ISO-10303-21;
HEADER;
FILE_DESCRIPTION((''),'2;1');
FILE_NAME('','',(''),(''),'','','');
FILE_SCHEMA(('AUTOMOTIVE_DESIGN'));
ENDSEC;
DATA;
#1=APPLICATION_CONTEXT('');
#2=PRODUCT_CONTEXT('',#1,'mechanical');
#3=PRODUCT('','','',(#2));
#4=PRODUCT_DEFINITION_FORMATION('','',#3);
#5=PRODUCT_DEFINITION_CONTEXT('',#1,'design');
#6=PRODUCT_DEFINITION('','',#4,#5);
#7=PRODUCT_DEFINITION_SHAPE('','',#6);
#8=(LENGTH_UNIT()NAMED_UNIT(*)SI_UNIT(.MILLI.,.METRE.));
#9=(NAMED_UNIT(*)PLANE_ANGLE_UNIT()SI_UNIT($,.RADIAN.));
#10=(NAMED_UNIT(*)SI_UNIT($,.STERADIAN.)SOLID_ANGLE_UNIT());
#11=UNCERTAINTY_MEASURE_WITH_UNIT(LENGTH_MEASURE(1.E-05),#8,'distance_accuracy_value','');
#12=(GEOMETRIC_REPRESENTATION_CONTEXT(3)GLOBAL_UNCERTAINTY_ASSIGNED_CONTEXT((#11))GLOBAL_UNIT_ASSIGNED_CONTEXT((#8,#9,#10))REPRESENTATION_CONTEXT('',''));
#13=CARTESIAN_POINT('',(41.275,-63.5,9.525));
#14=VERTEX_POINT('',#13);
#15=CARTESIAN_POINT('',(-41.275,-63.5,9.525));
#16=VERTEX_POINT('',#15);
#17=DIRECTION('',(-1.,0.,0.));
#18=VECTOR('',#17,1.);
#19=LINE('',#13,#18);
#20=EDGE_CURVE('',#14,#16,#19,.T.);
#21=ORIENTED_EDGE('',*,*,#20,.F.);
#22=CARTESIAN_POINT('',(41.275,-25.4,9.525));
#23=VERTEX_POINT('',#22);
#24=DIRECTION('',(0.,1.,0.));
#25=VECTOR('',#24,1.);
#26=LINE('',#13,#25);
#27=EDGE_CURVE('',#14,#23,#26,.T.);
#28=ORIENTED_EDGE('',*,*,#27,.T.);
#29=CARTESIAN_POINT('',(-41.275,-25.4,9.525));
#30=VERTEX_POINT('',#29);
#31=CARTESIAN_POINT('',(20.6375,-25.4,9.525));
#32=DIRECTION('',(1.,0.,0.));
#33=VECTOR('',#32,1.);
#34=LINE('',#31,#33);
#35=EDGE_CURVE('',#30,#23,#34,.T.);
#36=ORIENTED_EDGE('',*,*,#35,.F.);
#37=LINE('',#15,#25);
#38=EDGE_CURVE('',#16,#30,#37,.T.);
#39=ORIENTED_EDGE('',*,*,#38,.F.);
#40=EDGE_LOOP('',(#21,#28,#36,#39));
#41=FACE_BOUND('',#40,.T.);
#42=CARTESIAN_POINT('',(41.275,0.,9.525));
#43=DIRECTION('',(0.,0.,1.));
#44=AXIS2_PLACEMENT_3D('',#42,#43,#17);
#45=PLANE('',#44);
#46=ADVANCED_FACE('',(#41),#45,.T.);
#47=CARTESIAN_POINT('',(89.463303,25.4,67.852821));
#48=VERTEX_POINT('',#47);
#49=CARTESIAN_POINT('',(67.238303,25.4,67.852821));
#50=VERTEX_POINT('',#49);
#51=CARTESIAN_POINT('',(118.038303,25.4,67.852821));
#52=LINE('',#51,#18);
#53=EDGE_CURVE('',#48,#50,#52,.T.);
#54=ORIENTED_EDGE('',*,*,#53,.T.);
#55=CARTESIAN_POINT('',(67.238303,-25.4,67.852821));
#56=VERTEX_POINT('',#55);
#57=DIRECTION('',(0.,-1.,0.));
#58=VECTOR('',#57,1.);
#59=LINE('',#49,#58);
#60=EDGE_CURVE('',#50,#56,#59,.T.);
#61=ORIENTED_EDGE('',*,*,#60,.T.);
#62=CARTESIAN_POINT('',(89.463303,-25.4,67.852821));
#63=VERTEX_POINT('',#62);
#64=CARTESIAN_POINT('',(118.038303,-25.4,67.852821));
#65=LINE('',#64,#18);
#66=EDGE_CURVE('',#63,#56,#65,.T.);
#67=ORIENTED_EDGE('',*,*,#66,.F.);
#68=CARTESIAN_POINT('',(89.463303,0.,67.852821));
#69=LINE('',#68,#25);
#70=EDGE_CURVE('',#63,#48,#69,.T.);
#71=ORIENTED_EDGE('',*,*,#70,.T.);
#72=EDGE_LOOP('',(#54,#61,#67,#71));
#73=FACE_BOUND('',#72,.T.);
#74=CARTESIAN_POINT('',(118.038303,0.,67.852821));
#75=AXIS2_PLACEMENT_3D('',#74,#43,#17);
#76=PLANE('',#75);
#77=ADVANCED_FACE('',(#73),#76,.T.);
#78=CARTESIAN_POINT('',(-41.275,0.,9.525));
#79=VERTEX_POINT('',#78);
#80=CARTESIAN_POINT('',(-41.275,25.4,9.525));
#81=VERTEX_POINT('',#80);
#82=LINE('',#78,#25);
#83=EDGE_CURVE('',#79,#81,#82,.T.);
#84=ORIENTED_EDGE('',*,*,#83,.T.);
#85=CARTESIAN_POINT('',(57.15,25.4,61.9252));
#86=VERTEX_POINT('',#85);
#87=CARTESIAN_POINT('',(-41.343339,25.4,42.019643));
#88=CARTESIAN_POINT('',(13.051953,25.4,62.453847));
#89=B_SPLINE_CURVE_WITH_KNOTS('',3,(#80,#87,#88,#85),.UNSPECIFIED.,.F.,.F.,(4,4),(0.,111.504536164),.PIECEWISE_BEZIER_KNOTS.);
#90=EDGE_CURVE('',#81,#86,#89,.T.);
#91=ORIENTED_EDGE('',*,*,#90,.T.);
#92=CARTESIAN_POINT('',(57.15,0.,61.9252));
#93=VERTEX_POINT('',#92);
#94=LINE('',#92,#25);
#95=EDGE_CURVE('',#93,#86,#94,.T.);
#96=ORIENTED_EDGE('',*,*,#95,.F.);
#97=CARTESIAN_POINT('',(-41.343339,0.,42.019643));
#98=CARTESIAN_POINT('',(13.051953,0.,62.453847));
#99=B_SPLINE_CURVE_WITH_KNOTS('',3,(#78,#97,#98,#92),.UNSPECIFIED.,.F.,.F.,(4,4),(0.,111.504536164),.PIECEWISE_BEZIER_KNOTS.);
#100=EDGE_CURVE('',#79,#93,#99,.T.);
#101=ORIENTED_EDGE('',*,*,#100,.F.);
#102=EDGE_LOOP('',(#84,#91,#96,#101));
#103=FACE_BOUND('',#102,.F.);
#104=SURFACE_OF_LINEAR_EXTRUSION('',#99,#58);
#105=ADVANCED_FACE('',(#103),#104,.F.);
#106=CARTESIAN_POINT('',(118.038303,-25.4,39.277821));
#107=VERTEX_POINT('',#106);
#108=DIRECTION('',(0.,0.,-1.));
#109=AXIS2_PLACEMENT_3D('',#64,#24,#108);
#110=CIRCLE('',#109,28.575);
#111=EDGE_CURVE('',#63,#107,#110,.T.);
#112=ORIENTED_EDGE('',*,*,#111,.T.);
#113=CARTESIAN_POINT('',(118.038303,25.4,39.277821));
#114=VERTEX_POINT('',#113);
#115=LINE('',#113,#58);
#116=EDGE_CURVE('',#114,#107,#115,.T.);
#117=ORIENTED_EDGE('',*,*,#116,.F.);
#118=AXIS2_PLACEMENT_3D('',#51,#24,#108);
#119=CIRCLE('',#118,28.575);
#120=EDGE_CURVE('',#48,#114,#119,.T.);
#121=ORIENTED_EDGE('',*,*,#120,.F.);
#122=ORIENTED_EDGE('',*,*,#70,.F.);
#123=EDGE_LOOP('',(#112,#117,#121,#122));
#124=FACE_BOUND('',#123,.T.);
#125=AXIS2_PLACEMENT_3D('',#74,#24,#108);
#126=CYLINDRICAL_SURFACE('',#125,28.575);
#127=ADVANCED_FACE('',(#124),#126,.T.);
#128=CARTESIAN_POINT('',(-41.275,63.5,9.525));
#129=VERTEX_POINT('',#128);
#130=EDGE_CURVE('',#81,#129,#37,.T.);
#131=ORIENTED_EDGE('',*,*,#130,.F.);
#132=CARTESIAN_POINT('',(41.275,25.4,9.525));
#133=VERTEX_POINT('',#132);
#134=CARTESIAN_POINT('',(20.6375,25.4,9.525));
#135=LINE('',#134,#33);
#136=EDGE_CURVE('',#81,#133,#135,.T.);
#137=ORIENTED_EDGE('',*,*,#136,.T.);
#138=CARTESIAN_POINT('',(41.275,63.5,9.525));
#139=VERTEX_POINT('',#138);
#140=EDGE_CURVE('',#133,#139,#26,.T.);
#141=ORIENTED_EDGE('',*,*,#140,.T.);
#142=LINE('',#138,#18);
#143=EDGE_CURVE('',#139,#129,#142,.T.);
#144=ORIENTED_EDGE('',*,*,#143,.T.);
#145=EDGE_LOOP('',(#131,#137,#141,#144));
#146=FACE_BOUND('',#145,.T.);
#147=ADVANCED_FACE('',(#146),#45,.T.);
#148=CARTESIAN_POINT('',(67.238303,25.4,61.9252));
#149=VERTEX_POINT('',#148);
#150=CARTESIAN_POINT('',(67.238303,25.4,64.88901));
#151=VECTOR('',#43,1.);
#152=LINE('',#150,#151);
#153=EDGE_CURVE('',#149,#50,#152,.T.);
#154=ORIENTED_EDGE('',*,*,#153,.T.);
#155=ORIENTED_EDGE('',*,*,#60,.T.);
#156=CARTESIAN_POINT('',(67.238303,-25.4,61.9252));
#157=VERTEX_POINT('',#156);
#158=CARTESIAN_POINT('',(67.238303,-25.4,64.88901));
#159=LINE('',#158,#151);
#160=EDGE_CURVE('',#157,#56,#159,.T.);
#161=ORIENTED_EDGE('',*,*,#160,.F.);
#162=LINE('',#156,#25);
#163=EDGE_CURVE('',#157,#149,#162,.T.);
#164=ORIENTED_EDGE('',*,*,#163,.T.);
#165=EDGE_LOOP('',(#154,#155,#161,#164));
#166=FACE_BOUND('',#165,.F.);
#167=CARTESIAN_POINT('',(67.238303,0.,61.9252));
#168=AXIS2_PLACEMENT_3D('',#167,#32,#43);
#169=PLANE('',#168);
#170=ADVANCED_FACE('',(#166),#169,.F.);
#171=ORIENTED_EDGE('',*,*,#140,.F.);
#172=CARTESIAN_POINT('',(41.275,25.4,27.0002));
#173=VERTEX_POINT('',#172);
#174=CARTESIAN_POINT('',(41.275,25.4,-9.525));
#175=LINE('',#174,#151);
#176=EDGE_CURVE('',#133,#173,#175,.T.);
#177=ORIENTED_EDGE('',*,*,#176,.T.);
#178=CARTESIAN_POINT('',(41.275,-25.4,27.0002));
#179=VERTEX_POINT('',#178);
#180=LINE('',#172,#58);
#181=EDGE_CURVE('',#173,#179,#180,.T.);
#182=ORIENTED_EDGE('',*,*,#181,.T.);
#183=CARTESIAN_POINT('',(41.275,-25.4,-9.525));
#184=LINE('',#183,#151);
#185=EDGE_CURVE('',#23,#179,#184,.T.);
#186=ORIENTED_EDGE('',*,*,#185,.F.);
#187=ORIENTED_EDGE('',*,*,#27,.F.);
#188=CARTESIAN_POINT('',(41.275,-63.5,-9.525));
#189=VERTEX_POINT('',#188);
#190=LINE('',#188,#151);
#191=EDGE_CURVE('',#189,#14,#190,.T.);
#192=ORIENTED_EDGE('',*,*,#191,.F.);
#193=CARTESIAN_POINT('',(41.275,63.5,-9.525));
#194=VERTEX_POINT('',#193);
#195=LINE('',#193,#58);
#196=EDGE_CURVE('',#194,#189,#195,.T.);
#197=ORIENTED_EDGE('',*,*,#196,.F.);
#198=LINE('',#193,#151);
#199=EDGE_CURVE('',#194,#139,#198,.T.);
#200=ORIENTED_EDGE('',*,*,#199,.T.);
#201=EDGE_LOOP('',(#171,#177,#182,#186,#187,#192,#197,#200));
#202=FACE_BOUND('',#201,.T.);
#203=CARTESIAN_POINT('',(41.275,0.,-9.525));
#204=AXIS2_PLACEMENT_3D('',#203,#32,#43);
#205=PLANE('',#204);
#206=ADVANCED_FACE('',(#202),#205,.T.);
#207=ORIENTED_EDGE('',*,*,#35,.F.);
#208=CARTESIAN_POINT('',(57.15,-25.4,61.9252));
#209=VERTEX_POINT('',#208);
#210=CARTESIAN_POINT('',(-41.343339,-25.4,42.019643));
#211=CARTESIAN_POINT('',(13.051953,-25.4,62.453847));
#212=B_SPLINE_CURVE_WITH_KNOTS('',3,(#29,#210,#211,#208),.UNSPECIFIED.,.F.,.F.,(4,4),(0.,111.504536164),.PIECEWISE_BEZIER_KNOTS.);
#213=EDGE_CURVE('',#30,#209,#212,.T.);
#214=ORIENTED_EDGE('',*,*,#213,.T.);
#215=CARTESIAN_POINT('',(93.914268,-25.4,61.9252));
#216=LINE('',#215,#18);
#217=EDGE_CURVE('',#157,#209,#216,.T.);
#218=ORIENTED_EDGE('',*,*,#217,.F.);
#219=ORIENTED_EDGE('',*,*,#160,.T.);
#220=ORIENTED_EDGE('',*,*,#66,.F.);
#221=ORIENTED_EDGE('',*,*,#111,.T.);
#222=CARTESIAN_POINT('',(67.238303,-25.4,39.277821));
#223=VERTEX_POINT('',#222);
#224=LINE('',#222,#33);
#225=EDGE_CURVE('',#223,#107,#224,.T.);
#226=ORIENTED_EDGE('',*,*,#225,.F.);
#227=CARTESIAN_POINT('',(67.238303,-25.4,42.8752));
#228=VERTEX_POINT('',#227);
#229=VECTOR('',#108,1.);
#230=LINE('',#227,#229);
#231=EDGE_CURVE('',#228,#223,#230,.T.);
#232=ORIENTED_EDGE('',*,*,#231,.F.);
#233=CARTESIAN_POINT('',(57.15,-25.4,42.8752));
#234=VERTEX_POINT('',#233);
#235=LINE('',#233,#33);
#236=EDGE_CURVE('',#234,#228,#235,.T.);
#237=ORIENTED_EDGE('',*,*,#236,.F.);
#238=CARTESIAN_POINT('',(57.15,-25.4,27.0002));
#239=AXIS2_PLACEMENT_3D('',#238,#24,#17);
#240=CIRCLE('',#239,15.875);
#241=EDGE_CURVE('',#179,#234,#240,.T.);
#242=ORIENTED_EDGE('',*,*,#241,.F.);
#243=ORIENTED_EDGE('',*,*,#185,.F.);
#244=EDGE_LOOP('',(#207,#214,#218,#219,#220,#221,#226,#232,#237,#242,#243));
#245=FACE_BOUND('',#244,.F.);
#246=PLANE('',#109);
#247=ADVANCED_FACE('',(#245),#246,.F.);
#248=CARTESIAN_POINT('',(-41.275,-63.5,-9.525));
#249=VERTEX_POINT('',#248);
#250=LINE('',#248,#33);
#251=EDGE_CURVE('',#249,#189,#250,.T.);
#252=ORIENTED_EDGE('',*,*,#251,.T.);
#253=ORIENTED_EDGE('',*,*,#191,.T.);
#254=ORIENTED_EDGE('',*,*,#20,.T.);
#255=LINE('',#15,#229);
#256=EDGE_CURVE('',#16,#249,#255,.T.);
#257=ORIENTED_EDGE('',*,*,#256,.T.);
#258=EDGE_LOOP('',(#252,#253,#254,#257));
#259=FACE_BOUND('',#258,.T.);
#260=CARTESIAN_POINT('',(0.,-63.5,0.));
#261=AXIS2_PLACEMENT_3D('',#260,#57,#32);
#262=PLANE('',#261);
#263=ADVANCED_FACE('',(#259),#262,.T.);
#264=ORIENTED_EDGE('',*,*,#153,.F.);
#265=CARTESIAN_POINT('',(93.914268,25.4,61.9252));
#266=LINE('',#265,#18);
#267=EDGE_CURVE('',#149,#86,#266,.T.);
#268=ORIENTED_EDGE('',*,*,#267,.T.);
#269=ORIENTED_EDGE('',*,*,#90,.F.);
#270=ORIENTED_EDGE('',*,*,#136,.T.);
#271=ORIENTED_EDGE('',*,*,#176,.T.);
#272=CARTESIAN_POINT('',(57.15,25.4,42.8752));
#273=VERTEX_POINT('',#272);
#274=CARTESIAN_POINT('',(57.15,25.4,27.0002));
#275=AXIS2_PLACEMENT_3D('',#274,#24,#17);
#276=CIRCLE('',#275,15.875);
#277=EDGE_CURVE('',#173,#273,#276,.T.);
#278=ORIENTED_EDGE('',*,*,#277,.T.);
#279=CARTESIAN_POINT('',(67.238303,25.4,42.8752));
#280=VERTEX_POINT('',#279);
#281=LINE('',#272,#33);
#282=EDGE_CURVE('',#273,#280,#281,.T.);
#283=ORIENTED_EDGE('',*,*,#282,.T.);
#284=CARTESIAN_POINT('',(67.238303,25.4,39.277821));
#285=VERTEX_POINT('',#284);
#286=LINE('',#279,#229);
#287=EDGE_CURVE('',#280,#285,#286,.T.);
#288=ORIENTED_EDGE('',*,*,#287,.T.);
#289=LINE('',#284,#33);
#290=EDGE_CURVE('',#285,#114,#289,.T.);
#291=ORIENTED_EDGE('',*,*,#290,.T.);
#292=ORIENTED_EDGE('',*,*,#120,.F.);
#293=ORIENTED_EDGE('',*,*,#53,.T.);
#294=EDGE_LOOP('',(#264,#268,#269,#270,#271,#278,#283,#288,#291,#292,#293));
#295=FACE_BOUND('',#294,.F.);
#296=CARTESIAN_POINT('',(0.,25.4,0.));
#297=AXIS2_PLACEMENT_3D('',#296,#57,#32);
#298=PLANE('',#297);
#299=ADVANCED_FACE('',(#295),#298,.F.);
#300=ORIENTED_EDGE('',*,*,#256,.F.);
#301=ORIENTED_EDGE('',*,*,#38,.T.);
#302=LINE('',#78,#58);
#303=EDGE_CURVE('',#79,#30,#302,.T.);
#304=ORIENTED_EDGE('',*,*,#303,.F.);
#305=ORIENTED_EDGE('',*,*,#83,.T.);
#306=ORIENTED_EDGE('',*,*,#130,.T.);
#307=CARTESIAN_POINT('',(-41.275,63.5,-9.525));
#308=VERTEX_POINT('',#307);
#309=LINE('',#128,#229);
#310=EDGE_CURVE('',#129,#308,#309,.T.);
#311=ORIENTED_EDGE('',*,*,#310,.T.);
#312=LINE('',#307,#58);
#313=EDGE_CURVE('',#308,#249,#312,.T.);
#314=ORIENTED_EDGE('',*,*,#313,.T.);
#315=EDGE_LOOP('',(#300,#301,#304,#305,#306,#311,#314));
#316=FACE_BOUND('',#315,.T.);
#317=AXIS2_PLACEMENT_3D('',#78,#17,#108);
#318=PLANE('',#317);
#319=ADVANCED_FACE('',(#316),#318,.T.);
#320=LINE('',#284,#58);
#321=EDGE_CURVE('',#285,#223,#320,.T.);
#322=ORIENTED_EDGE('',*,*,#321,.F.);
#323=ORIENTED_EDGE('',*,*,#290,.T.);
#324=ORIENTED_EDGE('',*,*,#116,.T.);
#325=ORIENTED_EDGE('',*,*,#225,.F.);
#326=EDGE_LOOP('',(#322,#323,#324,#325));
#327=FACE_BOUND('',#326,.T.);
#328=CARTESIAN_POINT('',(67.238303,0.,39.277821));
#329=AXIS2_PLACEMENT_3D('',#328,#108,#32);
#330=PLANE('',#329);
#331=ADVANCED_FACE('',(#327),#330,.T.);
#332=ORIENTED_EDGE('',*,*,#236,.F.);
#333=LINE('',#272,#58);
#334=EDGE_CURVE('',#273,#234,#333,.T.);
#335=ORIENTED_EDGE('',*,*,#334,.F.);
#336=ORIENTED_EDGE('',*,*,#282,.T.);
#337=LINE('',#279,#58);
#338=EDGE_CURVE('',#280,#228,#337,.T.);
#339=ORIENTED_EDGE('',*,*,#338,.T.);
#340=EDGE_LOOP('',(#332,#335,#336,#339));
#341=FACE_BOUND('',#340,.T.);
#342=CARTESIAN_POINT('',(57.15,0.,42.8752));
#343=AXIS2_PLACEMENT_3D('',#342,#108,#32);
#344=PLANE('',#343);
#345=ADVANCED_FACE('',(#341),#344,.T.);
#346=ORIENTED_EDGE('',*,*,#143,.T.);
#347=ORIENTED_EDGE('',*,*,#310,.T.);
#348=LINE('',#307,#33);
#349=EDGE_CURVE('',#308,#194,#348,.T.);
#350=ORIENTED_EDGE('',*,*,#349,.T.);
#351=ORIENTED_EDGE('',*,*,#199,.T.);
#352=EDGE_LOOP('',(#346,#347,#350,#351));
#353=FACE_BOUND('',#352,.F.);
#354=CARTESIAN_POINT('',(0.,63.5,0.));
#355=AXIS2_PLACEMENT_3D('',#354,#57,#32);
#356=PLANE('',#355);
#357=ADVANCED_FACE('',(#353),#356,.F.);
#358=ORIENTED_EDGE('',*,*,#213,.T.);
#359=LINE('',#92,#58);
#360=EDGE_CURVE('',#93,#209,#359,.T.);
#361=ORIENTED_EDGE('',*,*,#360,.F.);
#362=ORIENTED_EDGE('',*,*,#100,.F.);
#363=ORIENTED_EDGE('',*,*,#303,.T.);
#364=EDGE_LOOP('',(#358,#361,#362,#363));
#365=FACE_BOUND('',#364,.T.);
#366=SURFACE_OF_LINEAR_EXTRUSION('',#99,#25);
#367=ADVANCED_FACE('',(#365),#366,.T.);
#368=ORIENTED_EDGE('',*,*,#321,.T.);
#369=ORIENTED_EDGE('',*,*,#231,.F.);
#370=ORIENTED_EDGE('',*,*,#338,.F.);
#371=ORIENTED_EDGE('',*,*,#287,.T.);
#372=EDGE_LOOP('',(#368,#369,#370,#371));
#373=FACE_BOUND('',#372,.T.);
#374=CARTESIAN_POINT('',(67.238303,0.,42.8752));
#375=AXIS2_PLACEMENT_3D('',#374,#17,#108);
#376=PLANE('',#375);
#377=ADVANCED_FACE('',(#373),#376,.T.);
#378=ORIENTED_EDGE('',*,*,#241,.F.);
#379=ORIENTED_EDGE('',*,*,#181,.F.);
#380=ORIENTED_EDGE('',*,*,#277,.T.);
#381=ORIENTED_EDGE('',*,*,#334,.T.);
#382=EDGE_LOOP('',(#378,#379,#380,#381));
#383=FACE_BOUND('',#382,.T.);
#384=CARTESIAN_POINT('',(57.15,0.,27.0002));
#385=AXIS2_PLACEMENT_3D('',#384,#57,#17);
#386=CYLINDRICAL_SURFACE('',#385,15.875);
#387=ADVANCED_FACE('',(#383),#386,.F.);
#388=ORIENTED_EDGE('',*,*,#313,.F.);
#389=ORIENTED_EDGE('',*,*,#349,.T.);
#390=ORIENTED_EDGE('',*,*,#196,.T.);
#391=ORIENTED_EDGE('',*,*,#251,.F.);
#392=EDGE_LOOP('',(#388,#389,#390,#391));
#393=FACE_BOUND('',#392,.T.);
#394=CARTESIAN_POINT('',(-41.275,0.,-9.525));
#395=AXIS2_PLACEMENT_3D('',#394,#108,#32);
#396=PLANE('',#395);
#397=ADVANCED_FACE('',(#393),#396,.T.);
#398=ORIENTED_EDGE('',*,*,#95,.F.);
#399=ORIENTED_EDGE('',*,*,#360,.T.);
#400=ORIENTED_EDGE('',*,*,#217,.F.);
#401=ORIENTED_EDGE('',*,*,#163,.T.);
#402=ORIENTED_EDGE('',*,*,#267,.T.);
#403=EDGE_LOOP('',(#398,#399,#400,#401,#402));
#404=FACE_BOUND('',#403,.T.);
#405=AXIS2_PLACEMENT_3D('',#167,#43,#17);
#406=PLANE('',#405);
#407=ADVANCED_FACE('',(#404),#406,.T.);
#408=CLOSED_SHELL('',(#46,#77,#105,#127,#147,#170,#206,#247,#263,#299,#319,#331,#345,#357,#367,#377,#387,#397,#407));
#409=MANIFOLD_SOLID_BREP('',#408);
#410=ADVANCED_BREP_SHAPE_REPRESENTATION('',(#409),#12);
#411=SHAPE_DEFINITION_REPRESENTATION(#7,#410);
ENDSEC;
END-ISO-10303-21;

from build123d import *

# Parameters (mm, degrees)
F1_DEPTH  = 63.5
F0_W      = 26.6759653056
F0_H      = 19.05
F0_H_2    = 5.927620608
F2_DEPTH  = 25.4
F2_FACE_W = 50.8
F2_FACE_H = 28.575


with BuildPart() as f1:
    # F0 (on Front) → F1 (new body, symmetric)
    with BuildSketch(Plane.XZ):
        Polygon((-41.275, 9.525), (-41.275, -9.525), (41.275, -9.525), (41.275, 9.525), (22.225, 9.525), align=None)
    extrude(amount=F1_DEPTH, both=True)

    # F0 (on Front) → F2 (join, symmetric)
    with BuildSketch(Plane.XZ):
        Polygon((-41.275, 9.525), (-41.275, -9.525), (41.275, -9.525), (41.275, 9.525), (22.225, 9.525), align=None)
        with BuildLine():
            add(Edge.make_bspline(
                [(-41.275, 9.525), (-41.3433387876, 42.0196428895), (13.0519531667, 62.4538473785), (57.15, 61.9252)],
                knots=[0, 0, 0, 0, 111.5045361635, 111.5045361635, 111.5045361635, 111.5045361635], degree=3))
            Line((-41.275, 9.525), (22.225, 9.525))
            Line((22.225, 9.525), (22.225, 27.0002))
            ThreePointArc((22.225, 27.0002), (32.4542956671, 51.6959043329), (57.15, 61.9252))
        make_face()
        with BuildLine():
            Line((22.225, 9.525), (41.275, 9.525))
            Line((41.275, 9.525), (41.275, 27.0002))
            ThreePointArc((41.275, 27.0002), (45.9246798487, 38.2255201513), (57.15, 42.8752))
            Line((57.15, 42.8752), (67.2383028494, 42.8752))
            Line((67.2383028494, 42.8752), (67.2383028494, 61.9252))
            Line((67.2383028494, 61.9252), (57.15, 61.9252))
            ThreePointArc((57.15, 61.9252), (32.4542956671, 51.6959043329), (22.225, 27.0002))
            Line((22.225, 27.0002), (22.225, 9.525))
        make_face()
        with Locations((80.5762855022, 52.4002)):
            Rectangle(F0_W, F0_H)
        with Locations((80.5762855022, 64.889010304)):
            Rectangle(F0_W, F0_H_2)
        Polygon((93.914268155, 42.8752), (67.2383028494, 42.8752), (67.2383028494, 39.277820608), (118.0383028494, 39.277820608), (118.0383028494, 67.852820608), (93.914268155, 67.852820608), (93.914268155, 61.9252), align=None)
    extrude(amount=F2_DEPTH, both=True)

    # F2_face (on face) → F3 (revolve)
    with BuildSketch(Plane(origin=(118.0383028494, 0, 53.565320608), x_dir=(0, 1, 0), z_dir=(1, 0, 0))):
        Rectangle(F2_FACE_W, F2_FACE_H)
    revolve(axis=Axis((118.0383028494, 0, 67.852820608), (0, 1, 0)))


solid = f1.part
